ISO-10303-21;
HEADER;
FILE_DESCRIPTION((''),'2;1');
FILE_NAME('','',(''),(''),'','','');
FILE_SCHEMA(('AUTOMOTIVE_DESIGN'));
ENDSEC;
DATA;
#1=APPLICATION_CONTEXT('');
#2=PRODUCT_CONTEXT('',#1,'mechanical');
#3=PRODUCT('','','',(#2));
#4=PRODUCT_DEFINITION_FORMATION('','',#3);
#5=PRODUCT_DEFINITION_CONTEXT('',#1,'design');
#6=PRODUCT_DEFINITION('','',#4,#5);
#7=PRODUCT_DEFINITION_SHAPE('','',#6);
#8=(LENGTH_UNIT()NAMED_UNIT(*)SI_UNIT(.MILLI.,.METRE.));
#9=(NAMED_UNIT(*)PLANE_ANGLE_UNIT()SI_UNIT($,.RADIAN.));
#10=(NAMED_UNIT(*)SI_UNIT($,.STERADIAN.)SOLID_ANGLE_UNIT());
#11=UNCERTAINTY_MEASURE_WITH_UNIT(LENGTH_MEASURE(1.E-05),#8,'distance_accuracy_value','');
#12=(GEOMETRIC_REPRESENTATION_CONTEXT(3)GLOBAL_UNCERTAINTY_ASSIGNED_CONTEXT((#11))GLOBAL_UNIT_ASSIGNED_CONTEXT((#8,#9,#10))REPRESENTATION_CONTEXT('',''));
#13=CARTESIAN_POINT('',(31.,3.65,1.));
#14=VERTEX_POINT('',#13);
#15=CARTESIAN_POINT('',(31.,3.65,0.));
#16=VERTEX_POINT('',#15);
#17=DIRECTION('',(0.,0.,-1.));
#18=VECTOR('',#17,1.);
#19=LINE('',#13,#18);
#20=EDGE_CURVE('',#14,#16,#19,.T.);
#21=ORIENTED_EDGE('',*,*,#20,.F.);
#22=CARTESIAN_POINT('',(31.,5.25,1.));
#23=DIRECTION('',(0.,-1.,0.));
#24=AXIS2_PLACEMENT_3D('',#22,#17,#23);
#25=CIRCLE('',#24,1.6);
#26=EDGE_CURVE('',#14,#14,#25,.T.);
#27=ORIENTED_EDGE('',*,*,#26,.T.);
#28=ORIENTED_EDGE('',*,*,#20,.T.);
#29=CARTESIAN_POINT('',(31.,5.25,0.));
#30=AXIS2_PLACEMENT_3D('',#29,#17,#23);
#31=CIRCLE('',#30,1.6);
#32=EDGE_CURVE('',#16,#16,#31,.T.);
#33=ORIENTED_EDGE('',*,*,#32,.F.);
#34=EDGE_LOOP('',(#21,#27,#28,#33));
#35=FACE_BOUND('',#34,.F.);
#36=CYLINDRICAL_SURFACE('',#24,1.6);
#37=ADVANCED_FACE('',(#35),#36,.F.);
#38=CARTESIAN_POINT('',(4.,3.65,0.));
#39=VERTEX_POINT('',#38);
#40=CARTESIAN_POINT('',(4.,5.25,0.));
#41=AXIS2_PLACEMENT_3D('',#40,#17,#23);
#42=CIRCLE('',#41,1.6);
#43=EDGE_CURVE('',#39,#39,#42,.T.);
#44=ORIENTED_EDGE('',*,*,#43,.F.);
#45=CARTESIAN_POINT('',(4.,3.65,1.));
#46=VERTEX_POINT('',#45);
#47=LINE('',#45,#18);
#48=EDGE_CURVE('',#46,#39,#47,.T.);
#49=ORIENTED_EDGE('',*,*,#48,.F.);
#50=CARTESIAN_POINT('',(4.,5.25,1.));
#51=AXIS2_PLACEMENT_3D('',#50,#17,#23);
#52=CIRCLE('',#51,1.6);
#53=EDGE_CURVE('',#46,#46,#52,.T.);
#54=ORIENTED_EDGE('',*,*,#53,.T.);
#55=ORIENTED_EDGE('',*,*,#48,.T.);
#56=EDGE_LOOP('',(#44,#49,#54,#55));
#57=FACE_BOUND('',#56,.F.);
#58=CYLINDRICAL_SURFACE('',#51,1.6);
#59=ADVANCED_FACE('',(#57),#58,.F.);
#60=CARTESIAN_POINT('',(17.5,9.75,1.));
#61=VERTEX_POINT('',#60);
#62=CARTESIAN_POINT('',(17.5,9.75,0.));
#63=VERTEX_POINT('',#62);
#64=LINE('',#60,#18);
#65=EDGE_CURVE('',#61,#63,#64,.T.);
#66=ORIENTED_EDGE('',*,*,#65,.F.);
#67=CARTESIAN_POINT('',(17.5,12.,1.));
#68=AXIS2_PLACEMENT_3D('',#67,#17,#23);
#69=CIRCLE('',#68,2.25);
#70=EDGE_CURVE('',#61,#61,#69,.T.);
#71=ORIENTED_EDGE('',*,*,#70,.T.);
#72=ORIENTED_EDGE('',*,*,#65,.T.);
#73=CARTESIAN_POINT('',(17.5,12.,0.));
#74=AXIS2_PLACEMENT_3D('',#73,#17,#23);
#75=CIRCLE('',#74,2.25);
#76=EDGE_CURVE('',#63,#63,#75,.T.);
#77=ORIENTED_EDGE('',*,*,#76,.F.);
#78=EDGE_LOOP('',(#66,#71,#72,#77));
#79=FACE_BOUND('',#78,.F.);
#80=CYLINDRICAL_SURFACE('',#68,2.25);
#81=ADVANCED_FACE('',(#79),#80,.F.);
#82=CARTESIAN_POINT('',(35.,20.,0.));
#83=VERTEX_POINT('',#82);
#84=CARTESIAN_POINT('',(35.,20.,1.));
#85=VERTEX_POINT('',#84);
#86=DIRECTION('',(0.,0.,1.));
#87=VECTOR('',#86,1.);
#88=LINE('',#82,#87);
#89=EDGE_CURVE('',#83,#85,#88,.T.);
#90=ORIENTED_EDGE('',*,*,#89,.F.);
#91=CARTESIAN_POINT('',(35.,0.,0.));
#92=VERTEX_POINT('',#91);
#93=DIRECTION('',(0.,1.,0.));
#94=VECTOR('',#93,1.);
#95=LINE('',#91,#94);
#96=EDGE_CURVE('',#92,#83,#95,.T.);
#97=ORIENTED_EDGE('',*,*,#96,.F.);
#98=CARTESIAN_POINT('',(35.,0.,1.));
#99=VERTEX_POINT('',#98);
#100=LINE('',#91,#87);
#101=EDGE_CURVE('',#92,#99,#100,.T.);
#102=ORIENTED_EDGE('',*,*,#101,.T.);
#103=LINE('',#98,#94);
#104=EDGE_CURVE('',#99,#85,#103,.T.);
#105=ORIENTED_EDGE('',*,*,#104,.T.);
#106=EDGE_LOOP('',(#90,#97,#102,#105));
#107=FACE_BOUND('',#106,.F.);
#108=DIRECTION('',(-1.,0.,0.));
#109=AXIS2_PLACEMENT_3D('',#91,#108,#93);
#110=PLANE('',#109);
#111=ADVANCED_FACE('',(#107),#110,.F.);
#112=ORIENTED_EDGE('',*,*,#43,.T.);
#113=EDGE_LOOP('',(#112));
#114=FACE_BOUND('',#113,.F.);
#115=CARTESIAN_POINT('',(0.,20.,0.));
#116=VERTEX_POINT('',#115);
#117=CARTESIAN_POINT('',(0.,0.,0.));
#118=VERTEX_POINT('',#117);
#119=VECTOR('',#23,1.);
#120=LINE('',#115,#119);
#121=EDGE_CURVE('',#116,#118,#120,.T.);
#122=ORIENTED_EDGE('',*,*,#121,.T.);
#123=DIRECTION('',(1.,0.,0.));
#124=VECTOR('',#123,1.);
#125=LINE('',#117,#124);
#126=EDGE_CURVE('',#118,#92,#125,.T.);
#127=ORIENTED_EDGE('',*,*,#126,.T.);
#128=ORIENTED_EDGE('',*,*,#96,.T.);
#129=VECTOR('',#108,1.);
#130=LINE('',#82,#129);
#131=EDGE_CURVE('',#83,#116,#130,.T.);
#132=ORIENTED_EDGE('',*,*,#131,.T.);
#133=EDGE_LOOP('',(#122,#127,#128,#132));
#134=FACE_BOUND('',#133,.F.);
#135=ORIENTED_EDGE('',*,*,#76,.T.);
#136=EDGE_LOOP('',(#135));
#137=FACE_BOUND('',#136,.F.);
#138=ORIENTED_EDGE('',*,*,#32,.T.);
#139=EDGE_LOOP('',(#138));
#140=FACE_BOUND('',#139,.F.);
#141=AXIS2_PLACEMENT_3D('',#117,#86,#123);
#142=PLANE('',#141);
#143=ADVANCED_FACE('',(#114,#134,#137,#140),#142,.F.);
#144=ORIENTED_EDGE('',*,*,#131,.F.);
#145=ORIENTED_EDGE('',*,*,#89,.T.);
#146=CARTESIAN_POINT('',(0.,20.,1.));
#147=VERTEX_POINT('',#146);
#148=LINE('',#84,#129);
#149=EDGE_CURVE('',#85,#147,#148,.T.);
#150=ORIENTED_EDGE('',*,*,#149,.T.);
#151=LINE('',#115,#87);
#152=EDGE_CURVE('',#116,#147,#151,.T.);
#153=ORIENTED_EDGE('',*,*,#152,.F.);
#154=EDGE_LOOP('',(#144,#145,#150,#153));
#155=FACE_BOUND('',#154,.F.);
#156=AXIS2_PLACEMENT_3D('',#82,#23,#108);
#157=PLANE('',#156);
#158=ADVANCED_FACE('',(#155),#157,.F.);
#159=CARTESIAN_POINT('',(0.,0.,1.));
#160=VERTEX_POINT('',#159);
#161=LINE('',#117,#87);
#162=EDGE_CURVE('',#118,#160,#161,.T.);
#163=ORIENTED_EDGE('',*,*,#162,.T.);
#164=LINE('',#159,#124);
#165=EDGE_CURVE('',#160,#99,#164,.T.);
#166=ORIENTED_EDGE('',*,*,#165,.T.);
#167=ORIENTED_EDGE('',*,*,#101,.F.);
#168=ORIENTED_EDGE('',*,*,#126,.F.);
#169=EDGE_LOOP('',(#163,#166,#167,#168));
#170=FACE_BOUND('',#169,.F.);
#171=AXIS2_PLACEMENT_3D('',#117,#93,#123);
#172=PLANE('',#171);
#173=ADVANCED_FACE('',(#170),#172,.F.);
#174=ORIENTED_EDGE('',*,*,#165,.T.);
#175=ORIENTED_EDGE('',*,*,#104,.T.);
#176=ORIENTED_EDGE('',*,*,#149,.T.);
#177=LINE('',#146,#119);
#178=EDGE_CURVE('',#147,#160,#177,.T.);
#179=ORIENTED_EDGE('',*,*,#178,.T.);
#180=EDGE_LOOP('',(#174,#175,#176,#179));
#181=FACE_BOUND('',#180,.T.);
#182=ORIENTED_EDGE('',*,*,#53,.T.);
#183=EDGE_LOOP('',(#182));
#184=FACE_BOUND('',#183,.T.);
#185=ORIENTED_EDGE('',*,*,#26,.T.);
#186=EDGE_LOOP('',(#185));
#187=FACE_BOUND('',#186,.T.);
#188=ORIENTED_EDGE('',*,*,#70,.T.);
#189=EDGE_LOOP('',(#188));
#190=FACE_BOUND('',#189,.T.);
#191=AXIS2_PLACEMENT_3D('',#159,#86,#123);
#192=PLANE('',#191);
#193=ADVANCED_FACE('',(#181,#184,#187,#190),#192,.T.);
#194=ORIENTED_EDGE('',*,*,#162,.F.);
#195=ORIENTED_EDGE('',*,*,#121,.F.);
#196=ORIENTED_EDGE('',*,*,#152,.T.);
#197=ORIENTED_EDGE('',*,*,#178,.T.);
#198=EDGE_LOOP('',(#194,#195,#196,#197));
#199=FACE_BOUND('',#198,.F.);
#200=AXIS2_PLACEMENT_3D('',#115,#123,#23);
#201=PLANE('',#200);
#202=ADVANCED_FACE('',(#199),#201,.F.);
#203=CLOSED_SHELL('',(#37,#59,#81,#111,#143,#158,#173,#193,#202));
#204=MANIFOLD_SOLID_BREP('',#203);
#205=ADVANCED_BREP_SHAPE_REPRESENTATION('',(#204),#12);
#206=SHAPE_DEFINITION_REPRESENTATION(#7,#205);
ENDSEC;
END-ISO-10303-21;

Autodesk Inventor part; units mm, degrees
ref_plane "YZ Plane" through (0, 0, 0) normal (1, 0, 0) x (0, 1, 0)
ref_plane "XZ Plane" through (0, 0, 0) normal (0, 1, 0) x (-1, 0, 0)
ref_plane "XY Plane" through (0, 0, 0) normal (0, 0, 1) x (1, 0, 0)
sketch "スケッチ1" plane through (0, 0, 0) normal (0, 0, 1) x (1, 0, 0)
  line L0 (0, 0) -> (35, 0)
  line L1 (35, 0) -> (35, 20)
  line L2 (35, 20) -> (0, 20)
  line L3 (0, 20) -> (0, 0)
  dimension "d0" = 20
  dimension "d1" = 35
extrude "押し出し1" add sketch "スケッチ1" along normal blind 1
sketch "スケッチ2" plane through (0, 0, 1) normal (0, 0, 1) x (1, 0, 0)
  line L0 (35, 20) -> (0, 20) projected
  point P0 (0, 0)
  point P1 (17.5, 12)
  point P2 (17.5, 20)
  dimension "d4" = 8
hole "穴1" at (17.5, 12, 1) direction (0, 0, -1) diameter 4.5 end through all
sketch "スケッチ3" plane through (0, 0, 1) normal (0, 0, 1) x (1, 0, 0)
  line L0 (0, 20) -> (0, 0) projected
  line L1 (0, 0) -> (35, 0) projected
  line L2 (35, 20) -> (0, 20) projected
  point P0 (4, 5.25)
  point P1 (31, 5.25)
  dimension "d12" = 27
  dimension "d13" = 4
  dimension "d22" = 14.75
hole "穴2" at (4, 5.25, 1) at (31, 5.25, 1) direction (0, 0, -1) diameter 3.2 end through all
properties part number "CLS_typeC_31.4N_plate"
